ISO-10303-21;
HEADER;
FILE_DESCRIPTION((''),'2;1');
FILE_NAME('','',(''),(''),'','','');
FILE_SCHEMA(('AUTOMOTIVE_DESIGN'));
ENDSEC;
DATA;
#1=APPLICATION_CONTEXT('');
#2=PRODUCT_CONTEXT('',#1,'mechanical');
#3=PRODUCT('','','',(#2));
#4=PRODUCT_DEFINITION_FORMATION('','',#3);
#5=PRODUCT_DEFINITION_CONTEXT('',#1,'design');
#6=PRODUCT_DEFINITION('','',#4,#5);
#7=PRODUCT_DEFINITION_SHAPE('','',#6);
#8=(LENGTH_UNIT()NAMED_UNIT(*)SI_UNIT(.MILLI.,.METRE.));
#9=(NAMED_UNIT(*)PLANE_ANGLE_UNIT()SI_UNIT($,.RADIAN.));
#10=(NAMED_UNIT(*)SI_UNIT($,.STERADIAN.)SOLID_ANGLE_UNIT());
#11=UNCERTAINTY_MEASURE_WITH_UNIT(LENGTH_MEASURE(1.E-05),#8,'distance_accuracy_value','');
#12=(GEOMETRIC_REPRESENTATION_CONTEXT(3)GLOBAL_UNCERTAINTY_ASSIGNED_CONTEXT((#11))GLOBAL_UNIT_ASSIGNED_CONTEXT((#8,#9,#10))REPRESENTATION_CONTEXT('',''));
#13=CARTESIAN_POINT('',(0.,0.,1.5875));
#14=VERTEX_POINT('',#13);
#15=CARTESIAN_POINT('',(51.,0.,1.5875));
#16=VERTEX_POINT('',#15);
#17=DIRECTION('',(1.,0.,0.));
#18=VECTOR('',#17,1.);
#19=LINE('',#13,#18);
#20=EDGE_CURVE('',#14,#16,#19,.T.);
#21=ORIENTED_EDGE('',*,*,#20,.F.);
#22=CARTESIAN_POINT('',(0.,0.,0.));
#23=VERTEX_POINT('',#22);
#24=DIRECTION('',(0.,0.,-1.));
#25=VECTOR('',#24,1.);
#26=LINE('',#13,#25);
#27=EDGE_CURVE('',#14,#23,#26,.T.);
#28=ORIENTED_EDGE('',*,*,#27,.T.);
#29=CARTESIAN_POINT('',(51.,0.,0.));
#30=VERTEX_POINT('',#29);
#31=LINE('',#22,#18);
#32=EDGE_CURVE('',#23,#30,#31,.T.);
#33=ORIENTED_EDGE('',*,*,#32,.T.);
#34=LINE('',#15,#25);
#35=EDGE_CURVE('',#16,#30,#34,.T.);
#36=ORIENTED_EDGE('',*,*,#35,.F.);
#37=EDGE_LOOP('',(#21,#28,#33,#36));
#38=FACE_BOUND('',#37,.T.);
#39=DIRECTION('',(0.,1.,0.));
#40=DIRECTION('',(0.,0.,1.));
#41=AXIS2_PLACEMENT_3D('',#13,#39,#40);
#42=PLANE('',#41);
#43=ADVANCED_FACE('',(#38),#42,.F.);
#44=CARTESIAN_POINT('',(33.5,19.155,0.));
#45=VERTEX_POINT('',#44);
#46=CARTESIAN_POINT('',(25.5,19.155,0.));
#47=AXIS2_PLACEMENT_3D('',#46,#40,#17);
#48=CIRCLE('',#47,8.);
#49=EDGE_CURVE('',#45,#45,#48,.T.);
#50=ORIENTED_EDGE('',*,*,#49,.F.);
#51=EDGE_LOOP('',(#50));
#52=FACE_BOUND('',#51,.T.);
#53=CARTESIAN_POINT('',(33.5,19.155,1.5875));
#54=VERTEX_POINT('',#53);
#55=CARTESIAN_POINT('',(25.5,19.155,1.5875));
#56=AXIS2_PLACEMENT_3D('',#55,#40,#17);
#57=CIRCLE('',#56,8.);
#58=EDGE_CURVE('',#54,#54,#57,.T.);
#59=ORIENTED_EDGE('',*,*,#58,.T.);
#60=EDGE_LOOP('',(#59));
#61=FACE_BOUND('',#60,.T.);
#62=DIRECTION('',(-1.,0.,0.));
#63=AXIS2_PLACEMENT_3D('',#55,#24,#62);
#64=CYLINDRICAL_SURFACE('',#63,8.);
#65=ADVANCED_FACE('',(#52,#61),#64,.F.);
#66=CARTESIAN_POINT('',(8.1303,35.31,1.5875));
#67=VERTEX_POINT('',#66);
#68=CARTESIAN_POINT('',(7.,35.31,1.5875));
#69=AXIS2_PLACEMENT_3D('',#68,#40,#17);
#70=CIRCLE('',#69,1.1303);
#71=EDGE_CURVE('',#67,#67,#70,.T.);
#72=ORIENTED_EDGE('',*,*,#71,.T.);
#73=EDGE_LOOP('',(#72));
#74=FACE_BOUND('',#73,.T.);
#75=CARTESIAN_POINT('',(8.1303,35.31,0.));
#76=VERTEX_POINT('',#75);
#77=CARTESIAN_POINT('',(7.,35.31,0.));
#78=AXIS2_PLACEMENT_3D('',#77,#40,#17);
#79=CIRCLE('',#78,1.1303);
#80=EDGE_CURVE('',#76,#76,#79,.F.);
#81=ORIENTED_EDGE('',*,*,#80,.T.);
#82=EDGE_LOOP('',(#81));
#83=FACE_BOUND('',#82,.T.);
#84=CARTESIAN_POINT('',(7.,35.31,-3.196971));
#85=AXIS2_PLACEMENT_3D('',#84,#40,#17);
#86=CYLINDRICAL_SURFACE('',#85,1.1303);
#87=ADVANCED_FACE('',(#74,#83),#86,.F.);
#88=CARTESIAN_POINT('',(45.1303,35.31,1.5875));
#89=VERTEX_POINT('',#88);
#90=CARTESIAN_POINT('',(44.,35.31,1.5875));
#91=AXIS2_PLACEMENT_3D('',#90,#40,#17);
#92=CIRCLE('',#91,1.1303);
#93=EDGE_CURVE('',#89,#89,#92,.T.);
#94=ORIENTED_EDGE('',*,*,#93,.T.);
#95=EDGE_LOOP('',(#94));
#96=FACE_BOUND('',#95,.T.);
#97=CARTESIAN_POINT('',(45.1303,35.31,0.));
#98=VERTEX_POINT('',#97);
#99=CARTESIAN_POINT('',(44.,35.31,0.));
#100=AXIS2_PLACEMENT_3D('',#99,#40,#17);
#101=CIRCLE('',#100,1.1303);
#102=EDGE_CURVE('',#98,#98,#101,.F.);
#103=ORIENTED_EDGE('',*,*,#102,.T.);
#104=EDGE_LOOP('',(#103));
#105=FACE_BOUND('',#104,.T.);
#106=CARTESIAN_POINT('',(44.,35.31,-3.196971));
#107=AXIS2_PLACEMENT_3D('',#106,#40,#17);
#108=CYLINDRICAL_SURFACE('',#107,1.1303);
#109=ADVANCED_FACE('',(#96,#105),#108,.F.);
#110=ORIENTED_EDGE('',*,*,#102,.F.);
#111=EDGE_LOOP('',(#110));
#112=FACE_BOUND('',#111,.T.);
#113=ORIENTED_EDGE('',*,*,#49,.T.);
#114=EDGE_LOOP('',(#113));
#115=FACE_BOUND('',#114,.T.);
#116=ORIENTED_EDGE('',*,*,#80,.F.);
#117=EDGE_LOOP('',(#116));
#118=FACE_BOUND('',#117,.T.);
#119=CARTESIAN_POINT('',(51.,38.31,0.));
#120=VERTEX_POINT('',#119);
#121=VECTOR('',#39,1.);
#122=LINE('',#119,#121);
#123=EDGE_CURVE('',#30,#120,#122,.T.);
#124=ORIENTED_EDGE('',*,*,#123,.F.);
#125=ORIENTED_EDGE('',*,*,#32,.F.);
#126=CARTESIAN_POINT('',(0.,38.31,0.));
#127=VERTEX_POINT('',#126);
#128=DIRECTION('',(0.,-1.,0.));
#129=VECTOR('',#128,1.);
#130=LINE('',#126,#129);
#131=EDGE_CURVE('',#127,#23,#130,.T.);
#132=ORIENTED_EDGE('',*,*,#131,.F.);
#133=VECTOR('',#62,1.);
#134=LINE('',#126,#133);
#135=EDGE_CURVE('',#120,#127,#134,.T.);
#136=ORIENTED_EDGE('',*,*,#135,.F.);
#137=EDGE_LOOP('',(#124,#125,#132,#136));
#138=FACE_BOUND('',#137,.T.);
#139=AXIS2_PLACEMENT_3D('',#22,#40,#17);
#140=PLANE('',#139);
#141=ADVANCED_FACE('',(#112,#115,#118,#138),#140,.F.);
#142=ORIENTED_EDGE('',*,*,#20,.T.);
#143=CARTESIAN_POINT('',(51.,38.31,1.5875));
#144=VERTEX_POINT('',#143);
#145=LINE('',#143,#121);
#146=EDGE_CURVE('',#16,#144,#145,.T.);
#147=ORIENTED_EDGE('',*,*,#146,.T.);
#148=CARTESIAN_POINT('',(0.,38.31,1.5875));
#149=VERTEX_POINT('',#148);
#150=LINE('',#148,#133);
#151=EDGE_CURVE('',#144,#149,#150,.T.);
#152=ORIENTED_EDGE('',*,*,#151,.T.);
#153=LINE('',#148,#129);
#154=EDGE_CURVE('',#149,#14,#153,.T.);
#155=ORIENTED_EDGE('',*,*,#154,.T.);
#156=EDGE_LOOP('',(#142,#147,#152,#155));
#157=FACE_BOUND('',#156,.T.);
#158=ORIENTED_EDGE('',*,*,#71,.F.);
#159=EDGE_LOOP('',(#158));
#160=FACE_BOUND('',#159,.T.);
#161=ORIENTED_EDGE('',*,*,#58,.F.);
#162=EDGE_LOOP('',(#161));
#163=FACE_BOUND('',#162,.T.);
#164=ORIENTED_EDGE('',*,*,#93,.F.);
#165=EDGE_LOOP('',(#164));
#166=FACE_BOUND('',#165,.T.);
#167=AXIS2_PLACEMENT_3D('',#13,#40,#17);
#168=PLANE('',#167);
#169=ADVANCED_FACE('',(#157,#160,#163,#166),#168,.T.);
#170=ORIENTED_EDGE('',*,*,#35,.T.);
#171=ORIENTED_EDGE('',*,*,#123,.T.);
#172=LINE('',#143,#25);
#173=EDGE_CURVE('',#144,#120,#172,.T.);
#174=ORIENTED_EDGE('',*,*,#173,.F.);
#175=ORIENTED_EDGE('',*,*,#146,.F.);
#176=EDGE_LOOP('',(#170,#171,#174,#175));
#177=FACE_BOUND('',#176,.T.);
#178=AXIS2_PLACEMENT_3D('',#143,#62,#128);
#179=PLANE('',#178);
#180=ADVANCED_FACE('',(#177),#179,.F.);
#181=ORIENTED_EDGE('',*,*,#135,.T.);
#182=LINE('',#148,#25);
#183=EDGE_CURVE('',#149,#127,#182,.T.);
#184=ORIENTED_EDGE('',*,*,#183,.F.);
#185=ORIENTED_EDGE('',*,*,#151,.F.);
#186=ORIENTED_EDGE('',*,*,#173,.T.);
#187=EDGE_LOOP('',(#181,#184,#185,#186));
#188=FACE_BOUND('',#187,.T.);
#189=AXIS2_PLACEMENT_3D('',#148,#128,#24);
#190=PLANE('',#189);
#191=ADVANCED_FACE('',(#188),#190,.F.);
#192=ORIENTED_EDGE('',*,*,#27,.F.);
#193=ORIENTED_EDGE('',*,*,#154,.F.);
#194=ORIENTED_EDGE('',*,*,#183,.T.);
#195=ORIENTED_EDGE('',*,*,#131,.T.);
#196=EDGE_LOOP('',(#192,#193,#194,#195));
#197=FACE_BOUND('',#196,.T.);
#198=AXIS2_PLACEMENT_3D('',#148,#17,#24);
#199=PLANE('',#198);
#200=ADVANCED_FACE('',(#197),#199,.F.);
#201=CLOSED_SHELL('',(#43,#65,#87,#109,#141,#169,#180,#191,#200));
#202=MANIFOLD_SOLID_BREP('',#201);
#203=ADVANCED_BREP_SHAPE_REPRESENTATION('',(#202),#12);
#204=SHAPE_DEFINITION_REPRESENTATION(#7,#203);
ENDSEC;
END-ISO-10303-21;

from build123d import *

# Parameters (mm, degrees)
SKETCH1_W           = 51
SKETCH1_H           = 38.31
SKETCH1_R           = 8
BOSS_EXTRUDE1_DEPTH = 1.5875
SKETCH2_R           = 1.1303
CUT_EXTRUDE1_DEPTH  = 1.5875


with BuildPart() as part:
    # Sketch1 → Boss-Extrude1 (new body)
    with BuildSketch(Plane.XY):
        with Locations((25.5, 19.155)):
            Rectangle(SKETCH1_W, SKETCH1_H)
        with Locations((25.5, 19.155)):
            Circle(SKETCH1_R, mode=Mode.SUBTRACT)
    extrude(amount=BOSS_EXTRUDE1_DEPTH)

    # Sketch2 → Cut-Extrude1 (cut)
    with BuildSketch(Plane.XY.offset(1.5875)):
        with Locations((44, 35.31)):
            Circle(SKETCH2_R)
        with Locations((7, 35.31)):
            Circle(SKETCH2_R)
    extrude(amount=-CUT_EXTRUDE1_DEPTH, mode=Mode.SUBTRACT)


solid = part.part
